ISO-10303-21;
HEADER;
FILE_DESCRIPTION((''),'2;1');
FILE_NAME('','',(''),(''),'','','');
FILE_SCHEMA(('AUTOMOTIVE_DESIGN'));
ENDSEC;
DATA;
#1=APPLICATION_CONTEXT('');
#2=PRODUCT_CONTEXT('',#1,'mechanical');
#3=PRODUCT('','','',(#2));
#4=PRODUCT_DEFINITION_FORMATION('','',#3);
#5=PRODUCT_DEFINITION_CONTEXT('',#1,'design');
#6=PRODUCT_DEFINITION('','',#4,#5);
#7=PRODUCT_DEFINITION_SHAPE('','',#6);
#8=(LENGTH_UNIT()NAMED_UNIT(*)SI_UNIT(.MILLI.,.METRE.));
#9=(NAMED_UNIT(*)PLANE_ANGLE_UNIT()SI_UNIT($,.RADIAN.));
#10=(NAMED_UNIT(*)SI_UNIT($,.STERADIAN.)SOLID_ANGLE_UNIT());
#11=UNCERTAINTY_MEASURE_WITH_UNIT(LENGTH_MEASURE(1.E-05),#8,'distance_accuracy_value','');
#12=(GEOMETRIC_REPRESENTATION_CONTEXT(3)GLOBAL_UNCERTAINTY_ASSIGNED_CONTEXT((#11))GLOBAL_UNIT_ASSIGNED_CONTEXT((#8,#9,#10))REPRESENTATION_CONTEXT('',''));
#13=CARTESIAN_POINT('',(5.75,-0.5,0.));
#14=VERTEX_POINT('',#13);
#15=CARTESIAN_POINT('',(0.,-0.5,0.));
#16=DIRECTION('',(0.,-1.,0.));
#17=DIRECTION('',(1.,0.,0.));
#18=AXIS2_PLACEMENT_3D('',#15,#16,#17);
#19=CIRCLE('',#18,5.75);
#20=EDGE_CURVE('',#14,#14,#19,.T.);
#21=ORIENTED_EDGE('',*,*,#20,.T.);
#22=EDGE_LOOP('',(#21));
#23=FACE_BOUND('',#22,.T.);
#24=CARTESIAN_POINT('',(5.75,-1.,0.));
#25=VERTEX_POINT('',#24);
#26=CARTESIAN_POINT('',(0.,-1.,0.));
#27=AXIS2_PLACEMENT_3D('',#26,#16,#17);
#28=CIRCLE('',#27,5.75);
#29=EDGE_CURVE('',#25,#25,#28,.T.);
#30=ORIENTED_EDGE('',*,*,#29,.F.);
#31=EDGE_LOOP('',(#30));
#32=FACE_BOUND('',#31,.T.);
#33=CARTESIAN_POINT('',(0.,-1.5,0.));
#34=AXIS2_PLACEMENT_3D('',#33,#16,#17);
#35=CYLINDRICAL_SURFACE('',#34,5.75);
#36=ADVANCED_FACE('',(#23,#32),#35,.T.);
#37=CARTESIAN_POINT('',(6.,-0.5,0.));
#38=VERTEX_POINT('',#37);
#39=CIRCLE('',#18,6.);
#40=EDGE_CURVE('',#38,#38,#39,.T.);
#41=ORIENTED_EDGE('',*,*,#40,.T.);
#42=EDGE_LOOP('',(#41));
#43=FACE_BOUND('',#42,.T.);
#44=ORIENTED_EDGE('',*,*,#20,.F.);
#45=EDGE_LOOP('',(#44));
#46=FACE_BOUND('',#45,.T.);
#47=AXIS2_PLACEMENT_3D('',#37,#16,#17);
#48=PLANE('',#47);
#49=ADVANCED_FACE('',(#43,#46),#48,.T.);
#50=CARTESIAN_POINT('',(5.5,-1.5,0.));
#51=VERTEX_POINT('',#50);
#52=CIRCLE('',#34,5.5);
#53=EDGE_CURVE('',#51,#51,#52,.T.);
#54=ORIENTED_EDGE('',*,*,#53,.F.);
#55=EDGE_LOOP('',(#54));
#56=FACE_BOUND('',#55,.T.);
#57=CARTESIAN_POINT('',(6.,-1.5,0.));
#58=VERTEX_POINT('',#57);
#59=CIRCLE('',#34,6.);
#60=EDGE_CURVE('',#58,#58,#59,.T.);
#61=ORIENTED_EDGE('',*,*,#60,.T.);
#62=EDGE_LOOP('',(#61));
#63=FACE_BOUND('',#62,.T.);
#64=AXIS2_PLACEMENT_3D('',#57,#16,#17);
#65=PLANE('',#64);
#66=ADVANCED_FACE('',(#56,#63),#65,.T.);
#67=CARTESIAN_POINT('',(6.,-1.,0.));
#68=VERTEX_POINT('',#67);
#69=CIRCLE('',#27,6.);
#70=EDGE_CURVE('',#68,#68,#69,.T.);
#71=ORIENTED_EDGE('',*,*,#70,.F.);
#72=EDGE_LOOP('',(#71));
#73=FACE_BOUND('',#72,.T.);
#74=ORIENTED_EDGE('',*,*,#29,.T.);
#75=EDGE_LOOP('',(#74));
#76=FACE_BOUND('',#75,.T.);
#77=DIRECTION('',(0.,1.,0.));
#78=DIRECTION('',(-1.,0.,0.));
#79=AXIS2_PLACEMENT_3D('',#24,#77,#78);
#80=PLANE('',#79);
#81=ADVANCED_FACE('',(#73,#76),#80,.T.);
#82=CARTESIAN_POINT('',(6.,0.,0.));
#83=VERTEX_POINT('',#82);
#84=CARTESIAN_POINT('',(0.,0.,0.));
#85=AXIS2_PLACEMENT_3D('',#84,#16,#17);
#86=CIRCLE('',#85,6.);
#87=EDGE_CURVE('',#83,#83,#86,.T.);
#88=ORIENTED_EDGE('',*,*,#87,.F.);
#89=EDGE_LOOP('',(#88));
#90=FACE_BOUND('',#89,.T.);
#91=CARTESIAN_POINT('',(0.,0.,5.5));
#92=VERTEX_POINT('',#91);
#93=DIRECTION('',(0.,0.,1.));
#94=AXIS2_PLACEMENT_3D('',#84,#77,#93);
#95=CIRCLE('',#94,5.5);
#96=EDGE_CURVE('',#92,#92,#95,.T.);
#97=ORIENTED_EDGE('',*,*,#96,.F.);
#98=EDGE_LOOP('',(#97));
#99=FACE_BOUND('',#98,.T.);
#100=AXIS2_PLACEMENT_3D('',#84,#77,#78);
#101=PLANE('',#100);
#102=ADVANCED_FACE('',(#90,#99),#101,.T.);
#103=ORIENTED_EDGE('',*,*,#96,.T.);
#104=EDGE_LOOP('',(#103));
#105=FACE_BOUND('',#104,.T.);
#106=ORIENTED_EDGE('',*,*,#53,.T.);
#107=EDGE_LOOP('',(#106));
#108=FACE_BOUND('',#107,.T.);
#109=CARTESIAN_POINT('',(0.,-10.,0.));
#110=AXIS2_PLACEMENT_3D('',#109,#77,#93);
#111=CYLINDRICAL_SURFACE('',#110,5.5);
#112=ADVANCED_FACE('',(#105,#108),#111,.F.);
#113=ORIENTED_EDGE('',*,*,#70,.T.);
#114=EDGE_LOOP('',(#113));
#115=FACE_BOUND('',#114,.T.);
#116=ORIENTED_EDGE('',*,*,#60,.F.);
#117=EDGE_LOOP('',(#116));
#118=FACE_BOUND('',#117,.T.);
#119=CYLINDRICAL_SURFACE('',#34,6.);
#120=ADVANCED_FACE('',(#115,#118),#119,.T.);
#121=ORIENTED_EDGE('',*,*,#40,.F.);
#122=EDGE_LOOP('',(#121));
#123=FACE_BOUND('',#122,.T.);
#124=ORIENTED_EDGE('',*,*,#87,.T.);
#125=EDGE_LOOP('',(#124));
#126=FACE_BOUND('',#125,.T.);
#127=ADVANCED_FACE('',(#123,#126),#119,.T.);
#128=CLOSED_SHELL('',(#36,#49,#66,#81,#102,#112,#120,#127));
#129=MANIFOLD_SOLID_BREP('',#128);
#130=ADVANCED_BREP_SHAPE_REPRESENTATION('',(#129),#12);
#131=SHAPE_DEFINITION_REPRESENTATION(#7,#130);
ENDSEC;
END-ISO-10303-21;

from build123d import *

# Parameters (mm, degrees)
CROQUIS1_R            = 5.5
CORTAR_EXTRUIR1_DEPTH = 10


with BuildPart() as part:
    # Croquis2 → Revolución1 (revolve)
    with BuildSketch(Plane.XY):
        Polygon((0, 0), (6, 0), (6, -0.5), (5.75, -0.5), (5.75, -1), (6, -1), (6, -1.5), (0, -1.5), align=None)
    revolve(axis=Axis((0, -1.5, 0), (0, 1, 0)))

    # Croquis1 → Cortar-Extruir1 (cut)
    with BuildSketch(Plane(origin=(0, 0, 0), x_dir=(1, 0, 0), z_dir=(0, 1, 0))):
        with Locations(Location((0, 0, 0), (0, 0, 270))):
            Circle(CROQUIS1_R)
    extrude(amount=-CORTAR_EXTRUIR1_DEPTH, mode=Mode.SUBTRACT)


solid = part.part
